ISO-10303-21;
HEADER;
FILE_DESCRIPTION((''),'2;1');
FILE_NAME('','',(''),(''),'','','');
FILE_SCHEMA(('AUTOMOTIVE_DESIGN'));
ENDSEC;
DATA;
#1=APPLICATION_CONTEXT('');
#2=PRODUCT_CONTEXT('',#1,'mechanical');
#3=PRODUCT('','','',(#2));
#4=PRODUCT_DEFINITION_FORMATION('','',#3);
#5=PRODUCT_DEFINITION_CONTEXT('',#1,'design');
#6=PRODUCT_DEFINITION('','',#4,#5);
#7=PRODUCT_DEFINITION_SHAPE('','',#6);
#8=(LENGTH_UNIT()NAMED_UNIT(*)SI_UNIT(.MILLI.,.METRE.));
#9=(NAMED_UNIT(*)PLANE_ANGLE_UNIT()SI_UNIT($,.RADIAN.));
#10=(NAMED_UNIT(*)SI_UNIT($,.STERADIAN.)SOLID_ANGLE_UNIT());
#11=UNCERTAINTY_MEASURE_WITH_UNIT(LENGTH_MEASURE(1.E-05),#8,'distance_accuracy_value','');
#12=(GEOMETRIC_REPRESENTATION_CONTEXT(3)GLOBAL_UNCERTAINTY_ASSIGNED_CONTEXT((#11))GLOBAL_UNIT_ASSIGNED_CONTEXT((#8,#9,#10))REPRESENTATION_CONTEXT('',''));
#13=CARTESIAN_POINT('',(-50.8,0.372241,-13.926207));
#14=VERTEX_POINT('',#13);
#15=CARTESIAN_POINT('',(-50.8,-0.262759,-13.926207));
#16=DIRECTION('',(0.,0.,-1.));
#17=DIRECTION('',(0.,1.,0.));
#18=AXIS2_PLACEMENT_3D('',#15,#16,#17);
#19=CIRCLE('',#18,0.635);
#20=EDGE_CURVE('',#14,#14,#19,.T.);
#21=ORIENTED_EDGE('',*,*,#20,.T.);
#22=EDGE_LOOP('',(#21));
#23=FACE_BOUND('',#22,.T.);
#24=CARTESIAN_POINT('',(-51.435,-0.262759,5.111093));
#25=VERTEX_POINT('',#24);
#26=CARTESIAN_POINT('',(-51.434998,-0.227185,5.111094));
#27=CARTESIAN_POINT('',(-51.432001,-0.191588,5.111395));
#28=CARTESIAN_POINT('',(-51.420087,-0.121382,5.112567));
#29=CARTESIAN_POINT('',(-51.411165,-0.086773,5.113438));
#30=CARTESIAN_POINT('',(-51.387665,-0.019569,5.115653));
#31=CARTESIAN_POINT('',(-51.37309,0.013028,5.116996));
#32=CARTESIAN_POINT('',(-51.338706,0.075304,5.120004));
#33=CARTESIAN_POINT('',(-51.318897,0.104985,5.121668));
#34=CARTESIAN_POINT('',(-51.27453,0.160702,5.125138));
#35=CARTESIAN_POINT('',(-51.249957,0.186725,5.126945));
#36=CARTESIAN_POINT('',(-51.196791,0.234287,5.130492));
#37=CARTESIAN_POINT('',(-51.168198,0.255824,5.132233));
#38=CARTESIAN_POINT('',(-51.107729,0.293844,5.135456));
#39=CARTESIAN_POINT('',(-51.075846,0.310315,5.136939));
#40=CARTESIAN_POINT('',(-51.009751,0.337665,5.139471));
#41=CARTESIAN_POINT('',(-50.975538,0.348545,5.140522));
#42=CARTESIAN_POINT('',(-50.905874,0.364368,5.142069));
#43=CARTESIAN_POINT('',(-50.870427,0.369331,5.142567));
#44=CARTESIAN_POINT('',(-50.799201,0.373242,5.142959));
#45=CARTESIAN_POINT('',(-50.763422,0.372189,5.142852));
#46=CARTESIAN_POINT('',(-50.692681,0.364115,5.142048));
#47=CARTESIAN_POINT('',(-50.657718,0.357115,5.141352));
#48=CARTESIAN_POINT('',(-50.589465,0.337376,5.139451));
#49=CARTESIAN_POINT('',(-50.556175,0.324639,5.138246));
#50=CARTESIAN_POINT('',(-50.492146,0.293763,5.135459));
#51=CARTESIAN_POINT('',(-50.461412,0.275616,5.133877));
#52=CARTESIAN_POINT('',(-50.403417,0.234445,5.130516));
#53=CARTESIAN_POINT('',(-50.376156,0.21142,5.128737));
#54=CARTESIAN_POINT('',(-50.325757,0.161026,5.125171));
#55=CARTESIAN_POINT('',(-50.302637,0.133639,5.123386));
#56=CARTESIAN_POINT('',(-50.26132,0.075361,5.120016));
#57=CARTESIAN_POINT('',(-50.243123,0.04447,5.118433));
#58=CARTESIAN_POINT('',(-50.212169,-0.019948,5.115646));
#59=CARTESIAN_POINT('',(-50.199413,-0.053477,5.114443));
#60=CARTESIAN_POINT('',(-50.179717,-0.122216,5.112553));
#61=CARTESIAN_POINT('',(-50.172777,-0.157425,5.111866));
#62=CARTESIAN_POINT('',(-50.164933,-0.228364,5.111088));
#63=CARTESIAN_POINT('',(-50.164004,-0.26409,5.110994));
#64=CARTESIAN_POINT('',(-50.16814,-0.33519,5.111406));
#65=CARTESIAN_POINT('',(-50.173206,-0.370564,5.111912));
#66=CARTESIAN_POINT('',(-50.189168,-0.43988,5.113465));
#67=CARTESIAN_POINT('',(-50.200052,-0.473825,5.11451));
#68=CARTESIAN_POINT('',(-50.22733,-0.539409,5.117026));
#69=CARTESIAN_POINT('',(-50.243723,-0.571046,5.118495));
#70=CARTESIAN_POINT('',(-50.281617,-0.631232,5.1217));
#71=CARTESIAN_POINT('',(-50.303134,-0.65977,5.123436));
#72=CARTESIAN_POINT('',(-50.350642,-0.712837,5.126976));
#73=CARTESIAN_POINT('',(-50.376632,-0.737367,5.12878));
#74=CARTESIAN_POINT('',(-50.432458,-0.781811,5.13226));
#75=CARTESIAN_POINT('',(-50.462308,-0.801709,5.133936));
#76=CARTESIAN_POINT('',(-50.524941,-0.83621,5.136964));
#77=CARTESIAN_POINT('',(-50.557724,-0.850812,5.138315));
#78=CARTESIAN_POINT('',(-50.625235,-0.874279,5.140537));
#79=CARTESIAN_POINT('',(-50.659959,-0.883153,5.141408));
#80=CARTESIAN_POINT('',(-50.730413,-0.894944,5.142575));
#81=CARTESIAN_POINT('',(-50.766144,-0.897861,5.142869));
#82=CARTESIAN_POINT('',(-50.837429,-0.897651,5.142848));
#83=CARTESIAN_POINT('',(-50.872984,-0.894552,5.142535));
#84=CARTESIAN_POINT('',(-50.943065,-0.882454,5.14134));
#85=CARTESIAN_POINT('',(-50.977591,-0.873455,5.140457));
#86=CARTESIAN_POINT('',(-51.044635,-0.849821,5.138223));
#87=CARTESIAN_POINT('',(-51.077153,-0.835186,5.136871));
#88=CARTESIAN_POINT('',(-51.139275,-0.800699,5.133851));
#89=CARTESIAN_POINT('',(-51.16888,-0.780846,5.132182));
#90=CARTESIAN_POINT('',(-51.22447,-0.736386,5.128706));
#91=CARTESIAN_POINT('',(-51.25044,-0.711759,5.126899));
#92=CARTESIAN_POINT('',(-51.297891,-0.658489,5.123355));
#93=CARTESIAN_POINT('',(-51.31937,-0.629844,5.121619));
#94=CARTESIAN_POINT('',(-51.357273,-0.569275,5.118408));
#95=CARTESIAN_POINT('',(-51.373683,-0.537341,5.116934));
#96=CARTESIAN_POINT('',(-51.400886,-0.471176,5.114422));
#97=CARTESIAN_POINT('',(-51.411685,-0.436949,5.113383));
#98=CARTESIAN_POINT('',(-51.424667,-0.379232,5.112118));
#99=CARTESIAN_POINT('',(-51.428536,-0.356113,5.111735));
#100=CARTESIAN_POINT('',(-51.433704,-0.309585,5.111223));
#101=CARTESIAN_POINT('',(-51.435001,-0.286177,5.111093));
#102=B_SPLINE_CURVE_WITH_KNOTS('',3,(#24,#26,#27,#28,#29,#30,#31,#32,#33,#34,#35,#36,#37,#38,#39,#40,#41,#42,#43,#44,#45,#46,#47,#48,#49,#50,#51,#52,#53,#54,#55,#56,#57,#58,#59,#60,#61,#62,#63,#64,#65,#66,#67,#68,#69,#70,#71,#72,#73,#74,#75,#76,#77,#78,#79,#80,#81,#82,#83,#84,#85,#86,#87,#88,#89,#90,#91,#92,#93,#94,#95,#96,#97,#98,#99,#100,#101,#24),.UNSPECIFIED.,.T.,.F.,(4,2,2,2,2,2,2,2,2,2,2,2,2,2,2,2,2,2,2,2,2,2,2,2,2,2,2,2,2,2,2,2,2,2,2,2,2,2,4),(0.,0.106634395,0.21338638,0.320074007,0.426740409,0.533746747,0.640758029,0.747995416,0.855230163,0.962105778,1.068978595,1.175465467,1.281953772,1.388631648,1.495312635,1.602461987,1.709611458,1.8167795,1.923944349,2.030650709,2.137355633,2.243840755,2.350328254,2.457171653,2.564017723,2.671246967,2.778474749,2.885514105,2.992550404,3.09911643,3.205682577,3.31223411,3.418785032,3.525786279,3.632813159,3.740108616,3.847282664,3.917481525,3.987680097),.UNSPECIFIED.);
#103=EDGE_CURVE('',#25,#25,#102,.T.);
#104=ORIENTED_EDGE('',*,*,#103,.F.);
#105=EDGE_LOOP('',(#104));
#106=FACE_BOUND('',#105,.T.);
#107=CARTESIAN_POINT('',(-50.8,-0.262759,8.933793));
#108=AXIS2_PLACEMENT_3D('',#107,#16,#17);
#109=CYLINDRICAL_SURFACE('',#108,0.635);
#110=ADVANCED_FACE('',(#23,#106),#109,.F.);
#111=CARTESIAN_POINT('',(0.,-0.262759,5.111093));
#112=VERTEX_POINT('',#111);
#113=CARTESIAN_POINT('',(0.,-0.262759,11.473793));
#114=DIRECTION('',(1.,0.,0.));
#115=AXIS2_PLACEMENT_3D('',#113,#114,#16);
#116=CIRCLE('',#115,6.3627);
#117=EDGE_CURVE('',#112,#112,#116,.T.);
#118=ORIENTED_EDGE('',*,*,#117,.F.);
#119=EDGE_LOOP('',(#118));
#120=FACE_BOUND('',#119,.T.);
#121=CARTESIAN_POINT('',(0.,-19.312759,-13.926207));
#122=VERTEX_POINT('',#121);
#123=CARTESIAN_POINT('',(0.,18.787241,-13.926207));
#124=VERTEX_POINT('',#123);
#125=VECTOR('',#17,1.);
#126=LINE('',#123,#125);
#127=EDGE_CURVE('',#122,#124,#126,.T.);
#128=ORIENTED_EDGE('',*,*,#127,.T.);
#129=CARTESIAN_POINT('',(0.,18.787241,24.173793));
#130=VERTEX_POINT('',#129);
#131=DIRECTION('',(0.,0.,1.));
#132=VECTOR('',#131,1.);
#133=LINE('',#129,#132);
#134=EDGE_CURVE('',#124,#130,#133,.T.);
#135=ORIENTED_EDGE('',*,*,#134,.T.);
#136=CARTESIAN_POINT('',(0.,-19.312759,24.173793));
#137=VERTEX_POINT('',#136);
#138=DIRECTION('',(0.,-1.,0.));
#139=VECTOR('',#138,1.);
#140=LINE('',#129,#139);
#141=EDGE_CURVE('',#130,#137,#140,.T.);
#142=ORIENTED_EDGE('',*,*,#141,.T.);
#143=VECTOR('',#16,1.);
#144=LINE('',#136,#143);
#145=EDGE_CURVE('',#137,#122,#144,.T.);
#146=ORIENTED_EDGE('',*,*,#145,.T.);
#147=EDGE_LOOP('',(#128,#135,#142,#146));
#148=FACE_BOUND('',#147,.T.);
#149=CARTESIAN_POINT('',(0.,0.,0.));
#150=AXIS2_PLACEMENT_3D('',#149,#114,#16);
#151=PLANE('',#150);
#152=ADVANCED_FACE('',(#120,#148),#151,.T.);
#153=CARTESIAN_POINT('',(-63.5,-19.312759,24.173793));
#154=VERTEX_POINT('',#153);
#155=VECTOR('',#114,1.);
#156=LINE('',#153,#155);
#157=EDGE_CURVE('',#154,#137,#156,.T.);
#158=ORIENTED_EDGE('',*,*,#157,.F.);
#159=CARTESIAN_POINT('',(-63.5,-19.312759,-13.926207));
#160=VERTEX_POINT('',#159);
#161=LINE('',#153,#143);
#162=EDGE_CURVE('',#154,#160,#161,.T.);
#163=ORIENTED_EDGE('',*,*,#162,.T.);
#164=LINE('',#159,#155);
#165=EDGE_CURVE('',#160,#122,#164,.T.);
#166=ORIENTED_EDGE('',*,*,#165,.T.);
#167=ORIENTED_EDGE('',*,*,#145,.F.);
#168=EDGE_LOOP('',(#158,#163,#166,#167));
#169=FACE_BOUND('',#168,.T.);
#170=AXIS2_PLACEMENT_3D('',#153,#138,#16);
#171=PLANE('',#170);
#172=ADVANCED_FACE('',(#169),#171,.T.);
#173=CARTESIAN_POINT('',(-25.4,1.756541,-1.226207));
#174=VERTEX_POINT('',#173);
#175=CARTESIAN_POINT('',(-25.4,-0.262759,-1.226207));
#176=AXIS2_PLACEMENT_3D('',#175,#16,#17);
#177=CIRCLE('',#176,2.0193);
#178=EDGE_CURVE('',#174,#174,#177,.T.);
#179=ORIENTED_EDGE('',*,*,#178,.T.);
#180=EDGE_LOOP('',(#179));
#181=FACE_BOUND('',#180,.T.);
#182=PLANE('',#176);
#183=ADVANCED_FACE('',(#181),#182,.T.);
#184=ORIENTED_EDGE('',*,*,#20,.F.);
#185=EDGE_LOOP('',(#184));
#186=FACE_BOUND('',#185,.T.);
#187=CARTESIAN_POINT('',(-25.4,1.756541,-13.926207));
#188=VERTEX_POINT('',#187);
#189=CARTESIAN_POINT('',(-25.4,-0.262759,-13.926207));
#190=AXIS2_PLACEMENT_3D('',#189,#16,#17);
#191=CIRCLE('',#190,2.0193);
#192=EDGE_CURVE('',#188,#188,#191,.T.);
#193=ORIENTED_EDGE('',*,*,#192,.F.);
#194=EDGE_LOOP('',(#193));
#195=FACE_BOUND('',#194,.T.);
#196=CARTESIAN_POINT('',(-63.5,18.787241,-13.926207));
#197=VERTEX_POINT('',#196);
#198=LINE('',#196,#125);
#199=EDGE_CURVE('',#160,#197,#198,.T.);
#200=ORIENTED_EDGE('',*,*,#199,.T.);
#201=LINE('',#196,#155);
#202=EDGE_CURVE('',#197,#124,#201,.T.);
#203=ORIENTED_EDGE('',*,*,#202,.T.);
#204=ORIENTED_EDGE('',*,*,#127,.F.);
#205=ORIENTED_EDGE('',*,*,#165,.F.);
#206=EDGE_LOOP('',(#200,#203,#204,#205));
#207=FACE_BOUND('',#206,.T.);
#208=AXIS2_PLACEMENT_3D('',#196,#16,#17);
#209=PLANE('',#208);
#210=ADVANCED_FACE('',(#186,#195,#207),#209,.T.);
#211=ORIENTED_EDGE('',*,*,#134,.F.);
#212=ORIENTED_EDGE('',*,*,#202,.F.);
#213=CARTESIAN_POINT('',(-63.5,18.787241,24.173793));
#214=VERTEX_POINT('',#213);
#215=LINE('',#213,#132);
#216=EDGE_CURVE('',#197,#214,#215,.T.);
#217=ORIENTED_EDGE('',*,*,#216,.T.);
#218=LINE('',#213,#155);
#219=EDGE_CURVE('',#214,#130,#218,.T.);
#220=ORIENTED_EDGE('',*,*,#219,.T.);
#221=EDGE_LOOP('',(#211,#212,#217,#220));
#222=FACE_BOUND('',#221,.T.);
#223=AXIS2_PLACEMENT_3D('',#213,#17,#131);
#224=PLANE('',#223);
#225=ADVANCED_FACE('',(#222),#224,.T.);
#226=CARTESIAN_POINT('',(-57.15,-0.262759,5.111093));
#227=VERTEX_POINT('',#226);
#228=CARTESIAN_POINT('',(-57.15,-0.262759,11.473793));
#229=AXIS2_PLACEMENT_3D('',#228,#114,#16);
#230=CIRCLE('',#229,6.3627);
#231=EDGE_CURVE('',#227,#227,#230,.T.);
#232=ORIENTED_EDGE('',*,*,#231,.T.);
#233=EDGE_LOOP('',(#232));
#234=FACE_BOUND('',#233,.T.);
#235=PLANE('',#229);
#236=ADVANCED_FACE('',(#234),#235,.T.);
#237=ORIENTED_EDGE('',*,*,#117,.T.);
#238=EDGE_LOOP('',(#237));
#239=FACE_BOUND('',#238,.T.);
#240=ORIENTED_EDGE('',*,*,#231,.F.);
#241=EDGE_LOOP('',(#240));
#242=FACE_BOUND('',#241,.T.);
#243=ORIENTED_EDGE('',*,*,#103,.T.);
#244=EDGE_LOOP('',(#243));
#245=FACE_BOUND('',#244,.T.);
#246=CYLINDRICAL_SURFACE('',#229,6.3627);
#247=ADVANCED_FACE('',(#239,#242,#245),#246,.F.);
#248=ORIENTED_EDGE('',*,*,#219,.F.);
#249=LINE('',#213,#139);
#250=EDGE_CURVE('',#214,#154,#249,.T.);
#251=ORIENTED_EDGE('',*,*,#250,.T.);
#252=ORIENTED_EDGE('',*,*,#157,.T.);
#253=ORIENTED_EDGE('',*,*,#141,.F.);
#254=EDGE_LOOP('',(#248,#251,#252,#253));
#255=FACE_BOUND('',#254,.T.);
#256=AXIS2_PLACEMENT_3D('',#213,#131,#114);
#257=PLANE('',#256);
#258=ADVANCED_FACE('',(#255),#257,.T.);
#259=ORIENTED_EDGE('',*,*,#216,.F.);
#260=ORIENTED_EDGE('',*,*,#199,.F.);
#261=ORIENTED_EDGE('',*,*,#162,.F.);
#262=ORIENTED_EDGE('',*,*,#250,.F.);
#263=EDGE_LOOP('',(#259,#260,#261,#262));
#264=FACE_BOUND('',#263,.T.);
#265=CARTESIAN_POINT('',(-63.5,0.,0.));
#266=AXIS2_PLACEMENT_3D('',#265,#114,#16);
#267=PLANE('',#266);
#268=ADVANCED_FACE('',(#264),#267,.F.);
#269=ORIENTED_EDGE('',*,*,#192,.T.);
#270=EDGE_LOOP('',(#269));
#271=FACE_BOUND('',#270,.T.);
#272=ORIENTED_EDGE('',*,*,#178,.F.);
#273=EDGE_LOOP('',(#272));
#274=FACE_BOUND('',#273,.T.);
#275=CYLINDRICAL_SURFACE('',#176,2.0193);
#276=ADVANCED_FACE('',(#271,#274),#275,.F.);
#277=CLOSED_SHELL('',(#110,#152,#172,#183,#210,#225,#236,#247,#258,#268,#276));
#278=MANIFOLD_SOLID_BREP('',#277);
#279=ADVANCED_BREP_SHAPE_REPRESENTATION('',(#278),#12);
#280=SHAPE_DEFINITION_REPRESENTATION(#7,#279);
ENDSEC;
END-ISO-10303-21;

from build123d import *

# Parameters (mm, degrees)
SKETCH1_W           = 38.1
SKETCH1_H           = 38.1
BOSS_EXTRUDE1_DEPTH = 63.5
SKETCH2_R           = 6.3627
CUT_EXTRUDE1_DEPTH  = 57.15
SKETCH6_R           = 2.0193
CUT_EXTRUDE4_DEPTH  = 12.7
SKETCH7_R           = 0.635
CUT_EXTRUDE5_DEPTH  = 22.86


with BuildPart() as part:
    # Sketch1 → Boss-Extrude1 (new body)
    with BuildSketch(Plane(origin=(0, 0, 0), x_dir=(0, 0, -1), z_dir=(1, 0, 0))):
        with Locations((-5.123793103, -0.262758621)):
            Rectangle(SKETCH1_W, SKETCH1_H)
    extrude(amount=-BOSS_EXTRUDE1_DEPTH)

    # Sketch2 → Cut-Extrude1 (cut)
    with BuildSketch(Plane(origin=(0, 0, 0), x_dir=(0, 0, -1), z_dir=(1, 0, 0))):
        with Locations((-11.473793103, -0.262758621)):
            Circle(SKETCH2_R)
    extrude(amount=-CUT_EXTRUDE1_DEPTH, mode=Mode.SUBTRACT)

    # Sketch6 → Cut-Extrude4 (cut)
    with BuildSketch(Plane(origin=(0, 0, -13.926206897), x_dir=(-1, 0, 0), z_dir=(0, 0, -1))):
        with Locations(Location((25.4, -0.262758621, 0), (0, 0, 90))):
            Circle(SKETCH6_R)
    extrude(amount=-CUT_EXTRUDE4_DEPTH, mode=Mode.SUBTRACT)

    # Sketch7 → Cut-Extrude5 (cut)
    with BuildSketch(Plane(origin=(0, 0, -13.926206897), x_dir=(-1, 0, 0), z_dir=(0, 0, -1))):
        with Locations(Location((50.8, -0.262758621, 0), (0, 0, 90))):
            Circle(SKETCH7_R)
    extrude(amount=-CUT_EXTRUDE5_DEPTH, mode=Mode.SUBTRACT)


solid = part.part
